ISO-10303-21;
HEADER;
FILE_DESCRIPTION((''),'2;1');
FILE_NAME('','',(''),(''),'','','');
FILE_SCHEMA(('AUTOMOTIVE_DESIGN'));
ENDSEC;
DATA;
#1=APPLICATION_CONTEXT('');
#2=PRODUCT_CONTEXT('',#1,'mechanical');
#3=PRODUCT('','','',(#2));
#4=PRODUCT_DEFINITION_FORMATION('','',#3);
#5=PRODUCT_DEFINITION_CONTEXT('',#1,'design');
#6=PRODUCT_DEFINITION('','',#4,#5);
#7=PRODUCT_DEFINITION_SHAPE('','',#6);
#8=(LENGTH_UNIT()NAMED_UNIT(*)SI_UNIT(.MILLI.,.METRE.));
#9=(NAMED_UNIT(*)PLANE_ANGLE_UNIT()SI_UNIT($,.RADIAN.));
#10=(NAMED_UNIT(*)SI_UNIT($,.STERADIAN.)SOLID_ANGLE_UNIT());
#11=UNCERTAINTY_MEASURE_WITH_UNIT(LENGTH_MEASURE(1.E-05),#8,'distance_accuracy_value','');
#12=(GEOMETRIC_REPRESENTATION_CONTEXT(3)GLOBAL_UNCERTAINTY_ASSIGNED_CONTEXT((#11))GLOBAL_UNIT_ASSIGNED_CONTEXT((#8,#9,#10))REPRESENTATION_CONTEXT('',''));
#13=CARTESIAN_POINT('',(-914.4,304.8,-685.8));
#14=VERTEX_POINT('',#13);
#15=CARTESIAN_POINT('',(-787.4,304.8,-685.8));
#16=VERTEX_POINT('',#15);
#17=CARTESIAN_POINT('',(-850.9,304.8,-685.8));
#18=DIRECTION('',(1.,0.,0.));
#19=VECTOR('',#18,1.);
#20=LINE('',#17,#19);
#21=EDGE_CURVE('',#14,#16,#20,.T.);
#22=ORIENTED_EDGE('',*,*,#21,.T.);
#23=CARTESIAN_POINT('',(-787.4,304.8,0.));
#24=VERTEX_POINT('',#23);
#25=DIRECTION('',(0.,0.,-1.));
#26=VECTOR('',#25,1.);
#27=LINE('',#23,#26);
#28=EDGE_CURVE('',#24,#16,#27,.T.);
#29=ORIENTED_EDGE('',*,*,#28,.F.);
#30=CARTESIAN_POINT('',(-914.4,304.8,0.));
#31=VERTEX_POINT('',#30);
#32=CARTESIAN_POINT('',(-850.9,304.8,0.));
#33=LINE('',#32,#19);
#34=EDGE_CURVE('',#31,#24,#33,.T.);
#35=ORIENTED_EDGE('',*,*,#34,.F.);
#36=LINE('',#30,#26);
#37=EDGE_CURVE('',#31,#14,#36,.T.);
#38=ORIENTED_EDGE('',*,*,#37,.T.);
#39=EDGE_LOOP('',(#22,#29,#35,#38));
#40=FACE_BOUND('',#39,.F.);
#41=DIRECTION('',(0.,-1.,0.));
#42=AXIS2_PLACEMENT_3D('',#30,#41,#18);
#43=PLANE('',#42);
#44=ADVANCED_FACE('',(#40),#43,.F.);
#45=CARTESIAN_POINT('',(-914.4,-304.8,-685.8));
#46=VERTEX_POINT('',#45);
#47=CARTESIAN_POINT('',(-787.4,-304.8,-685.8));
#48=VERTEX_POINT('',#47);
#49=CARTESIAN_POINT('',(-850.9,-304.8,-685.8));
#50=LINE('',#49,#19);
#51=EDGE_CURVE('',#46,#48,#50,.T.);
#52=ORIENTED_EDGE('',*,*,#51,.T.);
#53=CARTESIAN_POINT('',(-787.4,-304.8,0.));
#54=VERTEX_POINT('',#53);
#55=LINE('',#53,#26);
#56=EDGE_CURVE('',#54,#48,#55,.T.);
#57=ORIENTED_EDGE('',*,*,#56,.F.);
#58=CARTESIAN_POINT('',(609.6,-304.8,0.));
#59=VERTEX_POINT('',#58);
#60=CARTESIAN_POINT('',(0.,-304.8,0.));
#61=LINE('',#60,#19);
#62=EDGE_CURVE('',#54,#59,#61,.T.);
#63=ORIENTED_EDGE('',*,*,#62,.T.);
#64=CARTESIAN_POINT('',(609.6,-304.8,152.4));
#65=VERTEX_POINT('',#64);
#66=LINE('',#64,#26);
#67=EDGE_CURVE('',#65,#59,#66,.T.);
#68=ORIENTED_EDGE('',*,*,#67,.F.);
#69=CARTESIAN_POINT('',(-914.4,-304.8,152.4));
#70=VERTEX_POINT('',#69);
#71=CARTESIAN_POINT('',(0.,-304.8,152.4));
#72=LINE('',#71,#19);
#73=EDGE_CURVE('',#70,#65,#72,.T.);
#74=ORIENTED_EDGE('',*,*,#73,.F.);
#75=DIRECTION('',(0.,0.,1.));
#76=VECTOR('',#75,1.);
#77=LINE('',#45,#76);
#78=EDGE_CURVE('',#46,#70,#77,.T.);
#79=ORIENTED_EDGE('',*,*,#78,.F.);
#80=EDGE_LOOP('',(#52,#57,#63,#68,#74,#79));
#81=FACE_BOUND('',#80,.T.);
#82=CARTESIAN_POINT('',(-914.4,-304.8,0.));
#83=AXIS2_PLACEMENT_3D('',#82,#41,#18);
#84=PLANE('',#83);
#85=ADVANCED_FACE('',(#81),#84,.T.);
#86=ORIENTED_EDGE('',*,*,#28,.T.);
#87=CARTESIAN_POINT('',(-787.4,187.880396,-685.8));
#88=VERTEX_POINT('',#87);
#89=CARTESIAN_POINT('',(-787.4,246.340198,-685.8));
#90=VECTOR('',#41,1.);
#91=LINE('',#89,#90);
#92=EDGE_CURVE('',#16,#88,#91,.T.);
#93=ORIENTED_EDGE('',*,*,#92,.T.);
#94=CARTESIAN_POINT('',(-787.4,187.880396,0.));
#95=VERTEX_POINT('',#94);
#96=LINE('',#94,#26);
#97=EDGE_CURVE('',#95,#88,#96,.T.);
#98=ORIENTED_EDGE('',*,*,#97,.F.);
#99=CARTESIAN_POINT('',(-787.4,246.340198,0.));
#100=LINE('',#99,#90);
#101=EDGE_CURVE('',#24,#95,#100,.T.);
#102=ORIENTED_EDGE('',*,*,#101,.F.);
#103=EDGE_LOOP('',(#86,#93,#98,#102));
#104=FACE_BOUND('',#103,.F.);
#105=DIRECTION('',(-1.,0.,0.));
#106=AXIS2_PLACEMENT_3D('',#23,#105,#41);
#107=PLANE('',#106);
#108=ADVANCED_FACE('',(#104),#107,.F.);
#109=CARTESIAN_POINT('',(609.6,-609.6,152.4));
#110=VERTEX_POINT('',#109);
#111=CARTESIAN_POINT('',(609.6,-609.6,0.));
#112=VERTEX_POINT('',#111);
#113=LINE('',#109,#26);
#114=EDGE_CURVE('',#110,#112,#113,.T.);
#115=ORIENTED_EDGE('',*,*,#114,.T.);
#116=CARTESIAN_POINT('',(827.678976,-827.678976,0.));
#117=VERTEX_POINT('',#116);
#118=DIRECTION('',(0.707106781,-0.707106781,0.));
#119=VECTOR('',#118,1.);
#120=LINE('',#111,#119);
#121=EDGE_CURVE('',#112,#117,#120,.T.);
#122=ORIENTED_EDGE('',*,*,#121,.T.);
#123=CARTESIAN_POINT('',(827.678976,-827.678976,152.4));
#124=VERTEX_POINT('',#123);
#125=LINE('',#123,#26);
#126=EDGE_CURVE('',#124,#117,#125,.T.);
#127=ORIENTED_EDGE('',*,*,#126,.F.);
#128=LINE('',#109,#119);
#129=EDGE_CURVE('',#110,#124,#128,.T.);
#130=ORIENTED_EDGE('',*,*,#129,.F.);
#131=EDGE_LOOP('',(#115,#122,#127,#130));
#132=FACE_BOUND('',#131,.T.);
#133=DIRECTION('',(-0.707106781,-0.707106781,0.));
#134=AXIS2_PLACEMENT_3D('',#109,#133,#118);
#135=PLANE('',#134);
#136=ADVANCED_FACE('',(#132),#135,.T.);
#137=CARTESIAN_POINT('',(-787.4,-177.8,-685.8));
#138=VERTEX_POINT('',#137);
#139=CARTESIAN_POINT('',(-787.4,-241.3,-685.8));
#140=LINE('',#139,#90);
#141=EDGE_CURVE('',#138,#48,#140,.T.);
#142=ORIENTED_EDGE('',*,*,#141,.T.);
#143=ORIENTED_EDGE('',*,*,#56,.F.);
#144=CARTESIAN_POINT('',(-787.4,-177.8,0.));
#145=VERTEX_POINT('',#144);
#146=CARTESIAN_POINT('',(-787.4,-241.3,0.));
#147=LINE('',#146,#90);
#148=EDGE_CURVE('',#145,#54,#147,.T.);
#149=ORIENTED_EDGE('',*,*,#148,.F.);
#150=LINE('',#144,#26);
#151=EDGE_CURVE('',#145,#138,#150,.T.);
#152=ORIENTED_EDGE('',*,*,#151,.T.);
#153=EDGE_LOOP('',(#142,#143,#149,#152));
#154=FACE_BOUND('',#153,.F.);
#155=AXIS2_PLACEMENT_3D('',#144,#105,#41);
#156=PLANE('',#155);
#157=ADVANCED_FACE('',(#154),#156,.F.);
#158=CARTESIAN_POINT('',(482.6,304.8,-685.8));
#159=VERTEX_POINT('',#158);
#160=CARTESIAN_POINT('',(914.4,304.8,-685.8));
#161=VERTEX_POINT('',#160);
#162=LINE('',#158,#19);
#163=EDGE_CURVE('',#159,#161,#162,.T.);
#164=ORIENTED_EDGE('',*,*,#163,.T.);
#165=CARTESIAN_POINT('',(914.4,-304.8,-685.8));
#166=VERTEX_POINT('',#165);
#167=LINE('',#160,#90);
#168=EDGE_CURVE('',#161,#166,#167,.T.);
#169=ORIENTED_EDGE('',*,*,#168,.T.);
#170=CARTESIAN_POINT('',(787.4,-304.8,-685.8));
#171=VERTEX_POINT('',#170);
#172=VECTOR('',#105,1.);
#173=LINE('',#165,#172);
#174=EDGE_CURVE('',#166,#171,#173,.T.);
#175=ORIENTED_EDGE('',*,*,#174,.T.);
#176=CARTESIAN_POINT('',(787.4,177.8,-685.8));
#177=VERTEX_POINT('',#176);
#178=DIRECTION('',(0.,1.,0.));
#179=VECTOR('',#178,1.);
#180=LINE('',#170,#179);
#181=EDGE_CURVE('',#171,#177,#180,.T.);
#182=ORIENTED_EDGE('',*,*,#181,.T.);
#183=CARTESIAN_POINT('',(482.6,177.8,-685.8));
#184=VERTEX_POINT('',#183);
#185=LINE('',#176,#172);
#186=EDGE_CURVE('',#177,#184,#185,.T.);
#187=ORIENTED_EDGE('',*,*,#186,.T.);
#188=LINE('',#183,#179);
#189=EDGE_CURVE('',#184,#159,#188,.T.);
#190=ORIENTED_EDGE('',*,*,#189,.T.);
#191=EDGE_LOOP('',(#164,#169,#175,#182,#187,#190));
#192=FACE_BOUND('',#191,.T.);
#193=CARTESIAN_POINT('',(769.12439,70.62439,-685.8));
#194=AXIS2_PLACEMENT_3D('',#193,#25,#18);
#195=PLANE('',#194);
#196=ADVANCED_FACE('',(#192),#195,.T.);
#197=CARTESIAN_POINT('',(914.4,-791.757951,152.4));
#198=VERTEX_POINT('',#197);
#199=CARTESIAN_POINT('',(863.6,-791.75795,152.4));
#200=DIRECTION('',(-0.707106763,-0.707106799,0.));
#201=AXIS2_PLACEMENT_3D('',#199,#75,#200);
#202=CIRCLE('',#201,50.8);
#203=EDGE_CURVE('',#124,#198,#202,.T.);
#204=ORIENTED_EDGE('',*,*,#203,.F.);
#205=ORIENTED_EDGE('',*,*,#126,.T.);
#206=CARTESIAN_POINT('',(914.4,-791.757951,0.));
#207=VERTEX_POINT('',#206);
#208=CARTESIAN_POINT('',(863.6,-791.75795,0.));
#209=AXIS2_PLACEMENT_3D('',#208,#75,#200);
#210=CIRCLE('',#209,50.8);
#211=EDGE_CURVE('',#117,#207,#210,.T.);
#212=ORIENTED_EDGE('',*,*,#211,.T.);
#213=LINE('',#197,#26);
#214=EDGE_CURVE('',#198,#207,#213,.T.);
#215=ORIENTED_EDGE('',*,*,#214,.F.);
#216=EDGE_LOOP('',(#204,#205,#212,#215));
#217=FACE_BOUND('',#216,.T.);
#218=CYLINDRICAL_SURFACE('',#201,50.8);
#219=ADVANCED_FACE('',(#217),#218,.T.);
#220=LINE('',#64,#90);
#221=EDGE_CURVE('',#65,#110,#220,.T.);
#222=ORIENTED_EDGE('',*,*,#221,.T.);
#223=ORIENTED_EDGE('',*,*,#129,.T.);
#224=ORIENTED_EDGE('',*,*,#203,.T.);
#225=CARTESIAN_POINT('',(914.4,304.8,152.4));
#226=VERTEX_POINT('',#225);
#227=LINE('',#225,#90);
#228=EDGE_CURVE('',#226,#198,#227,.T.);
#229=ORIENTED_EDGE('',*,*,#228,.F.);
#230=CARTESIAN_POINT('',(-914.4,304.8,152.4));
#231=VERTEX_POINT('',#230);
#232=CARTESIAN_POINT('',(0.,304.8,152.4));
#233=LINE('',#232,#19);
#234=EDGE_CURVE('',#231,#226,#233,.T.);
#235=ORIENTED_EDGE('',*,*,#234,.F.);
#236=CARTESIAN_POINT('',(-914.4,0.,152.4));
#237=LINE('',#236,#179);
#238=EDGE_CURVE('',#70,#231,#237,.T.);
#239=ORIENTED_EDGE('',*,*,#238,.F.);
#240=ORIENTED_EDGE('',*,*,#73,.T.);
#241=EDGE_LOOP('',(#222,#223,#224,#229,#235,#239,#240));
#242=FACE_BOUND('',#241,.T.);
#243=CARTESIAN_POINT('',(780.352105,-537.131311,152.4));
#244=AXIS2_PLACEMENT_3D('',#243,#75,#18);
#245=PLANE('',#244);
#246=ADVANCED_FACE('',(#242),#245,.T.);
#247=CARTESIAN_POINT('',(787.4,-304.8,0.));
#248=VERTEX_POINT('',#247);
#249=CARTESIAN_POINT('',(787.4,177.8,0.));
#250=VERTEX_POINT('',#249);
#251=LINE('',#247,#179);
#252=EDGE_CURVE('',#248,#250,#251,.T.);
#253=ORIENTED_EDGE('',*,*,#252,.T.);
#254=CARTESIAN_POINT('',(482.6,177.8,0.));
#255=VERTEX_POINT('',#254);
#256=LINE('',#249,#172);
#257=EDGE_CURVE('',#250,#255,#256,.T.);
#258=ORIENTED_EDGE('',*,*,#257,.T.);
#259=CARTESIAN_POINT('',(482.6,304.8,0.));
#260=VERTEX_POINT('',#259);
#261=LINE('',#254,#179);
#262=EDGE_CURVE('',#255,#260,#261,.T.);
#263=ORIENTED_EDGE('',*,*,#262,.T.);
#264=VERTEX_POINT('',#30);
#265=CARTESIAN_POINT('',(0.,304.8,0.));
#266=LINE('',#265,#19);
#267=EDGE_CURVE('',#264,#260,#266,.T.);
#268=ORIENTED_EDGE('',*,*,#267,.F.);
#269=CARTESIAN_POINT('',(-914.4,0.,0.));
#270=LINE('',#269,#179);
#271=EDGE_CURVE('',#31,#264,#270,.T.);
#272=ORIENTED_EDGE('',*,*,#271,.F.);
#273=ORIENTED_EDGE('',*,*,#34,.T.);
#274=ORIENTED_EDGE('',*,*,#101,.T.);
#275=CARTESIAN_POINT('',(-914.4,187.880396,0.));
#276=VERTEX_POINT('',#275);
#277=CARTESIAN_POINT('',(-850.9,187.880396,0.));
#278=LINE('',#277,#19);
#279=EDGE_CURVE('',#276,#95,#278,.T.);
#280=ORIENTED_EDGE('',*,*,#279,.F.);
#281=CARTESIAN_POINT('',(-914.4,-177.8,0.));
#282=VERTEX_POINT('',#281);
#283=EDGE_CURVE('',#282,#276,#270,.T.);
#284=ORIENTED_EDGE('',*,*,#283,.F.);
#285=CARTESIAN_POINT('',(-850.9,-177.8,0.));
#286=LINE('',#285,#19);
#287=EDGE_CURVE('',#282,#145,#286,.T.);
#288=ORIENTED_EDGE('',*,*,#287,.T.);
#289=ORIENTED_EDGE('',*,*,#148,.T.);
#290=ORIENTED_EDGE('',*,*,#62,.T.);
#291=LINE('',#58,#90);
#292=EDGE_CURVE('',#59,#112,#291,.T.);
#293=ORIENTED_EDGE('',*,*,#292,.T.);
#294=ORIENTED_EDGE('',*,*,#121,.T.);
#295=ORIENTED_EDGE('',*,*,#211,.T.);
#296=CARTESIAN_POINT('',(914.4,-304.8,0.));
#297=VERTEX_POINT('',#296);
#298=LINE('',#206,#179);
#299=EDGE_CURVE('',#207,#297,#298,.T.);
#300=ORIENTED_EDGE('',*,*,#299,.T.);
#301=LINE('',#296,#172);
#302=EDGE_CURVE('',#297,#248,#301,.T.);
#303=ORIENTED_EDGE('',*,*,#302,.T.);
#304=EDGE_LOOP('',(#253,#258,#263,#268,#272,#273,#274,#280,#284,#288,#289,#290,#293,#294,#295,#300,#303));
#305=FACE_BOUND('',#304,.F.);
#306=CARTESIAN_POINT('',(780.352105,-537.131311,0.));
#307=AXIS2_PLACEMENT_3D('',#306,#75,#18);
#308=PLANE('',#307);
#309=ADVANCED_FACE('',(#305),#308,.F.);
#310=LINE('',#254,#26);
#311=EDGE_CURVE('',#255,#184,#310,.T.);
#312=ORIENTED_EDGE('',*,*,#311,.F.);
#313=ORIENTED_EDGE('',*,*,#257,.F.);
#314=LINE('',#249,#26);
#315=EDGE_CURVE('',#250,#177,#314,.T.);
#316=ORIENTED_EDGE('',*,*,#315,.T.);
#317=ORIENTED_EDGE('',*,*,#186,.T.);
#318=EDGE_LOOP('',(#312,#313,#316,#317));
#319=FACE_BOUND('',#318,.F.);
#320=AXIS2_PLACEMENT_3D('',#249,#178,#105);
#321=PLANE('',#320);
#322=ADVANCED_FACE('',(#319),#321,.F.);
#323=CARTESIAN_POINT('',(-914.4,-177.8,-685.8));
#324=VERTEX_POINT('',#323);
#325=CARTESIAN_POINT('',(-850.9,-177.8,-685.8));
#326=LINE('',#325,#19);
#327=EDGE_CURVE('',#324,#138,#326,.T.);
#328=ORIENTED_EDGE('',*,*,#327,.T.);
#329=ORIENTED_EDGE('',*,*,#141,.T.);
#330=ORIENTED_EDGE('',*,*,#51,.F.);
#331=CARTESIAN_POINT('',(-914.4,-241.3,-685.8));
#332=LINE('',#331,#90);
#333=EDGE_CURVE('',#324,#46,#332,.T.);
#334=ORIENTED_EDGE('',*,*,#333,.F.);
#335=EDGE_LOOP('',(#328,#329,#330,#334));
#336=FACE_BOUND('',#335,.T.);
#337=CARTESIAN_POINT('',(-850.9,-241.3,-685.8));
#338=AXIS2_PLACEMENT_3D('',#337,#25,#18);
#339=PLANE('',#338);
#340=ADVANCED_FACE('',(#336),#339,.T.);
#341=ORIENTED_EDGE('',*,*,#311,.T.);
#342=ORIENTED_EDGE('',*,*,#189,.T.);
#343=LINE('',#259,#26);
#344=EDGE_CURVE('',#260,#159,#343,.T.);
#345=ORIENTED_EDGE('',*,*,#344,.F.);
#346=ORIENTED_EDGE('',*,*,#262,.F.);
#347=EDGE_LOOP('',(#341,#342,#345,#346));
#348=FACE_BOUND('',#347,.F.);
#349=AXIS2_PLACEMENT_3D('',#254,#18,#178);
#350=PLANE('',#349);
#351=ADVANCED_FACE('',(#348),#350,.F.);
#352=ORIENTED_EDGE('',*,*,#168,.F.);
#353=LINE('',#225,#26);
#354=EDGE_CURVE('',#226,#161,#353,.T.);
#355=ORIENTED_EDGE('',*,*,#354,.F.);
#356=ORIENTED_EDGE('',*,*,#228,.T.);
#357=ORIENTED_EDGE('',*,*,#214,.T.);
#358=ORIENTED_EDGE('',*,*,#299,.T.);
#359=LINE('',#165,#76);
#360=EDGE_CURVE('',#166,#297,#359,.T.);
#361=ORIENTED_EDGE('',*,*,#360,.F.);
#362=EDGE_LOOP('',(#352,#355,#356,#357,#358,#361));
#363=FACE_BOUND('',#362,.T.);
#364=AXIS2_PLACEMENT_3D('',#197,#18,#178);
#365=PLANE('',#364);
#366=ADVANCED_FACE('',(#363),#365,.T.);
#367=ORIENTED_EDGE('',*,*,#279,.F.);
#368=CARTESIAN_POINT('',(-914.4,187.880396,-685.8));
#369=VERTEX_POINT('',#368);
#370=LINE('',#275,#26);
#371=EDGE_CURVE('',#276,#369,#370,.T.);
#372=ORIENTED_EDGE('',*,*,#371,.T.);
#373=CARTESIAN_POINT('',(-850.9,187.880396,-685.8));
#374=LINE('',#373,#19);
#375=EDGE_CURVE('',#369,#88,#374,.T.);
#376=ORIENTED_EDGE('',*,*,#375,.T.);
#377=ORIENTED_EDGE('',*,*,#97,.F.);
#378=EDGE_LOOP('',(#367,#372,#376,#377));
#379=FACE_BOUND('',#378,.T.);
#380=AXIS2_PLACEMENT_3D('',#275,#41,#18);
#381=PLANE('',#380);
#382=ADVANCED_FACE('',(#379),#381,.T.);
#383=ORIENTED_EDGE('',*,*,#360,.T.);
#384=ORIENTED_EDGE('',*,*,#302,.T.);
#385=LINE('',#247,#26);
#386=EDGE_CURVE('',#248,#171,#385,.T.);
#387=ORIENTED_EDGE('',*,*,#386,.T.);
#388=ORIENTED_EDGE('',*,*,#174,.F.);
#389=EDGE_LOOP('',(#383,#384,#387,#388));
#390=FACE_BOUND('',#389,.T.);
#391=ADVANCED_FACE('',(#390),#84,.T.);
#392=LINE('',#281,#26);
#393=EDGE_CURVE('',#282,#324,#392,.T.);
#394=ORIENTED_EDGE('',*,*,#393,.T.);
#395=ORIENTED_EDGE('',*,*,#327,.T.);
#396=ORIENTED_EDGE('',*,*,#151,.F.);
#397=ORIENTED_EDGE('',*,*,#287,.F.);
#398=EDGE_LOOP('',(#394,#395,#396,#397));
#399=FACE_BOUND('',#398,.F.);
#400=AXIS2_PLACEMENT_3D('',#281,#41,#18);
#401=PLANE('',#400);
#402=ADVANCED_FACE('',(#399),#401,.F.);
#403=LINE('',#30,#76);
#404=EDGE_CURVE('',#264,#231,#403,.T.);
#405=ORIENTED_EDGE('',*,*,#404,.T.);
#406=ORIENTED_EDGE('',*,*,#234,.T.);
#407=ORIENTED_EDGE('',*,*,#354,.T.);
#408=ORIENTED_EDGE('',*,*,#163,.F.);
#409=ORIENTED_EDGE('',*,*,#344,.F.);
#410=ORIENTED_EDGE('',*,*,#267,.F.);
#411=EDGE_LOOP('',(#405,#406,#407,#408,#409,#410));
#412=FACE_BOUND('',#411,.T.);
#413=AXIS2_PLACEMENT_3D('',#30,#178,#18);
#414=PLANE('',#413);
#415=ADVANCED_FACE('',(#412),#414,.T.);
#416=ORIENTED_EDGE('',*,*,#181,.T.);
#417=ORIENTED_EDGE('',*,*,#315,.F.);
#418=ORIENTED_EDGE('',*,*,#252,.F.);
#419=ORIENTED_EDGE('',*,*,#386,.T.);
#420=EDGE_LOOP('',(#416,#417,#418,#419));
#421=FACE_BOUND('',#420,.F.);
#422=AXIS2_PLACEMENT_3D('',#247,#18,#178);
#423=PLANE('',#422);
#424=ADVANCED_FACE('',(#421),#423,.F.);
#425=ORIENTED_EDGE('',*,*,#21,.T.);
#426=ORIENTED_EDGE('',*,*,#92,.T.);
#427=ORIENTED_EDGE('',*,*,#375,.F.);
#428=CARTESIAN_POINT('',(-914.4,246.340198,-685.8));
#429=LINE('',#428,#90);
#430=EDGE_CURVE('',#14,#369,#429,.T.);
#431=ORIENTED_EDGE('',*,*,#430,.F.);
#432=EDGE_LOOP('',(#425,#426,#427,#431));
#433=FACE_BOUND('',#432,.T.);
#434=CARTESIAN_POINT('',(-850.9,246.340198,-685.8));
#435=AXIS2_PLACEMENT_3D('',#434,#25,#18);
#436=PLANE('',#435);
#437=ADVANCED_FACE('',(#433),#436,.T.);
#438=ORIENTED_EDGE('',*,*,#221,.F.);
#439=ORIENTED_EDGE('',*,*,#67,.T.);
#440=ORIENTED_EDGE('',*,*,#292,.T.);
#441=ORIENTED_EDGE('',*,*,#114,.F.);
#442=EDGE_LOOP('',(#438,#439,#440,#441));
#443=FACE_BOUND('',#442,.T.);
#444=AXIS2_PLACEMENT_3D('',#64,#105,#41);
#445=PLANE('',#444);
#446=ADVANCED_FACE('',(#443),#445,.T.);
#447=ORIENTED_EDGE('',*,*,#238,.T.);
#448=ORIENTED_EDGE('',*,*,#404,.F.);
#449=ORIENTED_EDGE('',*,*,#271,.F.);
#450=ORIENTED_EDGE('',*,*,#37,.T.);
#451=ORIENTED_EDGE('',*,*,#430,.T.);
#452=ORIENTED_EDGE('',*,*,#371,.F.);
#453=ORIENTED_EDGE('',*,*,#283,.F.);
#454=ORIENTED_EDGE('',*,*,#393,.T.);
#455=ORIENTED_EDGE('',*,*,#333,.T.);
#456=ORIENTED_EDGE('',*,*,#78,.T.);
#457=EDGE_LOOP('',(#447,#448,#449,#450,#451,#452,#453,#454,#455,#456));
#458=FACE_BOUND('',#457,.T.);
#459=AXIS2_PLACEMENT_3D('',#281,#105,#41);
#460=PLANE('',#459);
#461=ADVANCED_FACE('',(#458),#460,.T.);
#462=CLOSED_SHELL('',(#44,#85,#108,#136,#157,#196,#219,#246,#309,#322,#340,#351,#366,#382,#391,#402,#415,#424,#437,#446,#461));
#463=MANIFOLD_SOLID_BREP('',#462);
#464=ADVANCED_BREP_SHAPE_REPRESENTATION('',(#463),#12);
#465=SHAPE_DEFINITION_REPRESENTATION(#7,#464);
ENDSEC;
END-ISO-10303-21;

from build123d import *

# Parameters (mm, degrees)
F0_W     = 1828.8
F0_H     = 609.6
F1_DEPTH = 152.4
F2_W     = 127
F2_H     = 127
F2_H_2   = 116.919603
F3_DEPTH = 685.8
F5_DEPTH = 152.4


with BuildPart() as f1:
    # F0 (on Top) → F1 (new body)
    with BuildSketch(Plane.XY):
        Rectangle(F0_W, F0_H)
    extrude(amount=F1_DEPTH)

    # F2 (on face) → F3 (join)
    with BuildSketch(Plane(origin=(0, 0, 0), x_dir=(1, 0, 0), z_dir=(0, 0, -1))):
        with Locations((-850.9, 241.3)):
            Rectangle(F2_W, F2_H)
        with Locations((-850.9, -246.340198)):
            Rectangle(F2_W, F2_H_2)
        Polygon((787.4, -304.8), (914.4, -304.8), (914.4, 177.8), (914.4, 304.8), (787.4, 304.8), (787.4, -177.8), (482.6, -177.8), (482.6, -304.8), align=None)
    extrude(amount=F3_DEPTH)

    # F4 (on face) → F5 (join, through all)
    with BuildSketch(Plane.XY.offset(152.4)):
        with BuildLine():
            Line((914.4, -791.757951), (914.4, -304.8))
            Line((914.4, -304.8), (609.6, -304.8))
            Line((609.6, -304.8), (609.6, -609.6))
            Line((609.6, -609.6), (827.678976, -827.678976))
            ThreePointArc((827.678976, -827.678976), (883.040318, -838.691031), (914.4, -791.757951))
        make_face()
    extrude(amount=-F5_DEPTH)


solid = f1.part
